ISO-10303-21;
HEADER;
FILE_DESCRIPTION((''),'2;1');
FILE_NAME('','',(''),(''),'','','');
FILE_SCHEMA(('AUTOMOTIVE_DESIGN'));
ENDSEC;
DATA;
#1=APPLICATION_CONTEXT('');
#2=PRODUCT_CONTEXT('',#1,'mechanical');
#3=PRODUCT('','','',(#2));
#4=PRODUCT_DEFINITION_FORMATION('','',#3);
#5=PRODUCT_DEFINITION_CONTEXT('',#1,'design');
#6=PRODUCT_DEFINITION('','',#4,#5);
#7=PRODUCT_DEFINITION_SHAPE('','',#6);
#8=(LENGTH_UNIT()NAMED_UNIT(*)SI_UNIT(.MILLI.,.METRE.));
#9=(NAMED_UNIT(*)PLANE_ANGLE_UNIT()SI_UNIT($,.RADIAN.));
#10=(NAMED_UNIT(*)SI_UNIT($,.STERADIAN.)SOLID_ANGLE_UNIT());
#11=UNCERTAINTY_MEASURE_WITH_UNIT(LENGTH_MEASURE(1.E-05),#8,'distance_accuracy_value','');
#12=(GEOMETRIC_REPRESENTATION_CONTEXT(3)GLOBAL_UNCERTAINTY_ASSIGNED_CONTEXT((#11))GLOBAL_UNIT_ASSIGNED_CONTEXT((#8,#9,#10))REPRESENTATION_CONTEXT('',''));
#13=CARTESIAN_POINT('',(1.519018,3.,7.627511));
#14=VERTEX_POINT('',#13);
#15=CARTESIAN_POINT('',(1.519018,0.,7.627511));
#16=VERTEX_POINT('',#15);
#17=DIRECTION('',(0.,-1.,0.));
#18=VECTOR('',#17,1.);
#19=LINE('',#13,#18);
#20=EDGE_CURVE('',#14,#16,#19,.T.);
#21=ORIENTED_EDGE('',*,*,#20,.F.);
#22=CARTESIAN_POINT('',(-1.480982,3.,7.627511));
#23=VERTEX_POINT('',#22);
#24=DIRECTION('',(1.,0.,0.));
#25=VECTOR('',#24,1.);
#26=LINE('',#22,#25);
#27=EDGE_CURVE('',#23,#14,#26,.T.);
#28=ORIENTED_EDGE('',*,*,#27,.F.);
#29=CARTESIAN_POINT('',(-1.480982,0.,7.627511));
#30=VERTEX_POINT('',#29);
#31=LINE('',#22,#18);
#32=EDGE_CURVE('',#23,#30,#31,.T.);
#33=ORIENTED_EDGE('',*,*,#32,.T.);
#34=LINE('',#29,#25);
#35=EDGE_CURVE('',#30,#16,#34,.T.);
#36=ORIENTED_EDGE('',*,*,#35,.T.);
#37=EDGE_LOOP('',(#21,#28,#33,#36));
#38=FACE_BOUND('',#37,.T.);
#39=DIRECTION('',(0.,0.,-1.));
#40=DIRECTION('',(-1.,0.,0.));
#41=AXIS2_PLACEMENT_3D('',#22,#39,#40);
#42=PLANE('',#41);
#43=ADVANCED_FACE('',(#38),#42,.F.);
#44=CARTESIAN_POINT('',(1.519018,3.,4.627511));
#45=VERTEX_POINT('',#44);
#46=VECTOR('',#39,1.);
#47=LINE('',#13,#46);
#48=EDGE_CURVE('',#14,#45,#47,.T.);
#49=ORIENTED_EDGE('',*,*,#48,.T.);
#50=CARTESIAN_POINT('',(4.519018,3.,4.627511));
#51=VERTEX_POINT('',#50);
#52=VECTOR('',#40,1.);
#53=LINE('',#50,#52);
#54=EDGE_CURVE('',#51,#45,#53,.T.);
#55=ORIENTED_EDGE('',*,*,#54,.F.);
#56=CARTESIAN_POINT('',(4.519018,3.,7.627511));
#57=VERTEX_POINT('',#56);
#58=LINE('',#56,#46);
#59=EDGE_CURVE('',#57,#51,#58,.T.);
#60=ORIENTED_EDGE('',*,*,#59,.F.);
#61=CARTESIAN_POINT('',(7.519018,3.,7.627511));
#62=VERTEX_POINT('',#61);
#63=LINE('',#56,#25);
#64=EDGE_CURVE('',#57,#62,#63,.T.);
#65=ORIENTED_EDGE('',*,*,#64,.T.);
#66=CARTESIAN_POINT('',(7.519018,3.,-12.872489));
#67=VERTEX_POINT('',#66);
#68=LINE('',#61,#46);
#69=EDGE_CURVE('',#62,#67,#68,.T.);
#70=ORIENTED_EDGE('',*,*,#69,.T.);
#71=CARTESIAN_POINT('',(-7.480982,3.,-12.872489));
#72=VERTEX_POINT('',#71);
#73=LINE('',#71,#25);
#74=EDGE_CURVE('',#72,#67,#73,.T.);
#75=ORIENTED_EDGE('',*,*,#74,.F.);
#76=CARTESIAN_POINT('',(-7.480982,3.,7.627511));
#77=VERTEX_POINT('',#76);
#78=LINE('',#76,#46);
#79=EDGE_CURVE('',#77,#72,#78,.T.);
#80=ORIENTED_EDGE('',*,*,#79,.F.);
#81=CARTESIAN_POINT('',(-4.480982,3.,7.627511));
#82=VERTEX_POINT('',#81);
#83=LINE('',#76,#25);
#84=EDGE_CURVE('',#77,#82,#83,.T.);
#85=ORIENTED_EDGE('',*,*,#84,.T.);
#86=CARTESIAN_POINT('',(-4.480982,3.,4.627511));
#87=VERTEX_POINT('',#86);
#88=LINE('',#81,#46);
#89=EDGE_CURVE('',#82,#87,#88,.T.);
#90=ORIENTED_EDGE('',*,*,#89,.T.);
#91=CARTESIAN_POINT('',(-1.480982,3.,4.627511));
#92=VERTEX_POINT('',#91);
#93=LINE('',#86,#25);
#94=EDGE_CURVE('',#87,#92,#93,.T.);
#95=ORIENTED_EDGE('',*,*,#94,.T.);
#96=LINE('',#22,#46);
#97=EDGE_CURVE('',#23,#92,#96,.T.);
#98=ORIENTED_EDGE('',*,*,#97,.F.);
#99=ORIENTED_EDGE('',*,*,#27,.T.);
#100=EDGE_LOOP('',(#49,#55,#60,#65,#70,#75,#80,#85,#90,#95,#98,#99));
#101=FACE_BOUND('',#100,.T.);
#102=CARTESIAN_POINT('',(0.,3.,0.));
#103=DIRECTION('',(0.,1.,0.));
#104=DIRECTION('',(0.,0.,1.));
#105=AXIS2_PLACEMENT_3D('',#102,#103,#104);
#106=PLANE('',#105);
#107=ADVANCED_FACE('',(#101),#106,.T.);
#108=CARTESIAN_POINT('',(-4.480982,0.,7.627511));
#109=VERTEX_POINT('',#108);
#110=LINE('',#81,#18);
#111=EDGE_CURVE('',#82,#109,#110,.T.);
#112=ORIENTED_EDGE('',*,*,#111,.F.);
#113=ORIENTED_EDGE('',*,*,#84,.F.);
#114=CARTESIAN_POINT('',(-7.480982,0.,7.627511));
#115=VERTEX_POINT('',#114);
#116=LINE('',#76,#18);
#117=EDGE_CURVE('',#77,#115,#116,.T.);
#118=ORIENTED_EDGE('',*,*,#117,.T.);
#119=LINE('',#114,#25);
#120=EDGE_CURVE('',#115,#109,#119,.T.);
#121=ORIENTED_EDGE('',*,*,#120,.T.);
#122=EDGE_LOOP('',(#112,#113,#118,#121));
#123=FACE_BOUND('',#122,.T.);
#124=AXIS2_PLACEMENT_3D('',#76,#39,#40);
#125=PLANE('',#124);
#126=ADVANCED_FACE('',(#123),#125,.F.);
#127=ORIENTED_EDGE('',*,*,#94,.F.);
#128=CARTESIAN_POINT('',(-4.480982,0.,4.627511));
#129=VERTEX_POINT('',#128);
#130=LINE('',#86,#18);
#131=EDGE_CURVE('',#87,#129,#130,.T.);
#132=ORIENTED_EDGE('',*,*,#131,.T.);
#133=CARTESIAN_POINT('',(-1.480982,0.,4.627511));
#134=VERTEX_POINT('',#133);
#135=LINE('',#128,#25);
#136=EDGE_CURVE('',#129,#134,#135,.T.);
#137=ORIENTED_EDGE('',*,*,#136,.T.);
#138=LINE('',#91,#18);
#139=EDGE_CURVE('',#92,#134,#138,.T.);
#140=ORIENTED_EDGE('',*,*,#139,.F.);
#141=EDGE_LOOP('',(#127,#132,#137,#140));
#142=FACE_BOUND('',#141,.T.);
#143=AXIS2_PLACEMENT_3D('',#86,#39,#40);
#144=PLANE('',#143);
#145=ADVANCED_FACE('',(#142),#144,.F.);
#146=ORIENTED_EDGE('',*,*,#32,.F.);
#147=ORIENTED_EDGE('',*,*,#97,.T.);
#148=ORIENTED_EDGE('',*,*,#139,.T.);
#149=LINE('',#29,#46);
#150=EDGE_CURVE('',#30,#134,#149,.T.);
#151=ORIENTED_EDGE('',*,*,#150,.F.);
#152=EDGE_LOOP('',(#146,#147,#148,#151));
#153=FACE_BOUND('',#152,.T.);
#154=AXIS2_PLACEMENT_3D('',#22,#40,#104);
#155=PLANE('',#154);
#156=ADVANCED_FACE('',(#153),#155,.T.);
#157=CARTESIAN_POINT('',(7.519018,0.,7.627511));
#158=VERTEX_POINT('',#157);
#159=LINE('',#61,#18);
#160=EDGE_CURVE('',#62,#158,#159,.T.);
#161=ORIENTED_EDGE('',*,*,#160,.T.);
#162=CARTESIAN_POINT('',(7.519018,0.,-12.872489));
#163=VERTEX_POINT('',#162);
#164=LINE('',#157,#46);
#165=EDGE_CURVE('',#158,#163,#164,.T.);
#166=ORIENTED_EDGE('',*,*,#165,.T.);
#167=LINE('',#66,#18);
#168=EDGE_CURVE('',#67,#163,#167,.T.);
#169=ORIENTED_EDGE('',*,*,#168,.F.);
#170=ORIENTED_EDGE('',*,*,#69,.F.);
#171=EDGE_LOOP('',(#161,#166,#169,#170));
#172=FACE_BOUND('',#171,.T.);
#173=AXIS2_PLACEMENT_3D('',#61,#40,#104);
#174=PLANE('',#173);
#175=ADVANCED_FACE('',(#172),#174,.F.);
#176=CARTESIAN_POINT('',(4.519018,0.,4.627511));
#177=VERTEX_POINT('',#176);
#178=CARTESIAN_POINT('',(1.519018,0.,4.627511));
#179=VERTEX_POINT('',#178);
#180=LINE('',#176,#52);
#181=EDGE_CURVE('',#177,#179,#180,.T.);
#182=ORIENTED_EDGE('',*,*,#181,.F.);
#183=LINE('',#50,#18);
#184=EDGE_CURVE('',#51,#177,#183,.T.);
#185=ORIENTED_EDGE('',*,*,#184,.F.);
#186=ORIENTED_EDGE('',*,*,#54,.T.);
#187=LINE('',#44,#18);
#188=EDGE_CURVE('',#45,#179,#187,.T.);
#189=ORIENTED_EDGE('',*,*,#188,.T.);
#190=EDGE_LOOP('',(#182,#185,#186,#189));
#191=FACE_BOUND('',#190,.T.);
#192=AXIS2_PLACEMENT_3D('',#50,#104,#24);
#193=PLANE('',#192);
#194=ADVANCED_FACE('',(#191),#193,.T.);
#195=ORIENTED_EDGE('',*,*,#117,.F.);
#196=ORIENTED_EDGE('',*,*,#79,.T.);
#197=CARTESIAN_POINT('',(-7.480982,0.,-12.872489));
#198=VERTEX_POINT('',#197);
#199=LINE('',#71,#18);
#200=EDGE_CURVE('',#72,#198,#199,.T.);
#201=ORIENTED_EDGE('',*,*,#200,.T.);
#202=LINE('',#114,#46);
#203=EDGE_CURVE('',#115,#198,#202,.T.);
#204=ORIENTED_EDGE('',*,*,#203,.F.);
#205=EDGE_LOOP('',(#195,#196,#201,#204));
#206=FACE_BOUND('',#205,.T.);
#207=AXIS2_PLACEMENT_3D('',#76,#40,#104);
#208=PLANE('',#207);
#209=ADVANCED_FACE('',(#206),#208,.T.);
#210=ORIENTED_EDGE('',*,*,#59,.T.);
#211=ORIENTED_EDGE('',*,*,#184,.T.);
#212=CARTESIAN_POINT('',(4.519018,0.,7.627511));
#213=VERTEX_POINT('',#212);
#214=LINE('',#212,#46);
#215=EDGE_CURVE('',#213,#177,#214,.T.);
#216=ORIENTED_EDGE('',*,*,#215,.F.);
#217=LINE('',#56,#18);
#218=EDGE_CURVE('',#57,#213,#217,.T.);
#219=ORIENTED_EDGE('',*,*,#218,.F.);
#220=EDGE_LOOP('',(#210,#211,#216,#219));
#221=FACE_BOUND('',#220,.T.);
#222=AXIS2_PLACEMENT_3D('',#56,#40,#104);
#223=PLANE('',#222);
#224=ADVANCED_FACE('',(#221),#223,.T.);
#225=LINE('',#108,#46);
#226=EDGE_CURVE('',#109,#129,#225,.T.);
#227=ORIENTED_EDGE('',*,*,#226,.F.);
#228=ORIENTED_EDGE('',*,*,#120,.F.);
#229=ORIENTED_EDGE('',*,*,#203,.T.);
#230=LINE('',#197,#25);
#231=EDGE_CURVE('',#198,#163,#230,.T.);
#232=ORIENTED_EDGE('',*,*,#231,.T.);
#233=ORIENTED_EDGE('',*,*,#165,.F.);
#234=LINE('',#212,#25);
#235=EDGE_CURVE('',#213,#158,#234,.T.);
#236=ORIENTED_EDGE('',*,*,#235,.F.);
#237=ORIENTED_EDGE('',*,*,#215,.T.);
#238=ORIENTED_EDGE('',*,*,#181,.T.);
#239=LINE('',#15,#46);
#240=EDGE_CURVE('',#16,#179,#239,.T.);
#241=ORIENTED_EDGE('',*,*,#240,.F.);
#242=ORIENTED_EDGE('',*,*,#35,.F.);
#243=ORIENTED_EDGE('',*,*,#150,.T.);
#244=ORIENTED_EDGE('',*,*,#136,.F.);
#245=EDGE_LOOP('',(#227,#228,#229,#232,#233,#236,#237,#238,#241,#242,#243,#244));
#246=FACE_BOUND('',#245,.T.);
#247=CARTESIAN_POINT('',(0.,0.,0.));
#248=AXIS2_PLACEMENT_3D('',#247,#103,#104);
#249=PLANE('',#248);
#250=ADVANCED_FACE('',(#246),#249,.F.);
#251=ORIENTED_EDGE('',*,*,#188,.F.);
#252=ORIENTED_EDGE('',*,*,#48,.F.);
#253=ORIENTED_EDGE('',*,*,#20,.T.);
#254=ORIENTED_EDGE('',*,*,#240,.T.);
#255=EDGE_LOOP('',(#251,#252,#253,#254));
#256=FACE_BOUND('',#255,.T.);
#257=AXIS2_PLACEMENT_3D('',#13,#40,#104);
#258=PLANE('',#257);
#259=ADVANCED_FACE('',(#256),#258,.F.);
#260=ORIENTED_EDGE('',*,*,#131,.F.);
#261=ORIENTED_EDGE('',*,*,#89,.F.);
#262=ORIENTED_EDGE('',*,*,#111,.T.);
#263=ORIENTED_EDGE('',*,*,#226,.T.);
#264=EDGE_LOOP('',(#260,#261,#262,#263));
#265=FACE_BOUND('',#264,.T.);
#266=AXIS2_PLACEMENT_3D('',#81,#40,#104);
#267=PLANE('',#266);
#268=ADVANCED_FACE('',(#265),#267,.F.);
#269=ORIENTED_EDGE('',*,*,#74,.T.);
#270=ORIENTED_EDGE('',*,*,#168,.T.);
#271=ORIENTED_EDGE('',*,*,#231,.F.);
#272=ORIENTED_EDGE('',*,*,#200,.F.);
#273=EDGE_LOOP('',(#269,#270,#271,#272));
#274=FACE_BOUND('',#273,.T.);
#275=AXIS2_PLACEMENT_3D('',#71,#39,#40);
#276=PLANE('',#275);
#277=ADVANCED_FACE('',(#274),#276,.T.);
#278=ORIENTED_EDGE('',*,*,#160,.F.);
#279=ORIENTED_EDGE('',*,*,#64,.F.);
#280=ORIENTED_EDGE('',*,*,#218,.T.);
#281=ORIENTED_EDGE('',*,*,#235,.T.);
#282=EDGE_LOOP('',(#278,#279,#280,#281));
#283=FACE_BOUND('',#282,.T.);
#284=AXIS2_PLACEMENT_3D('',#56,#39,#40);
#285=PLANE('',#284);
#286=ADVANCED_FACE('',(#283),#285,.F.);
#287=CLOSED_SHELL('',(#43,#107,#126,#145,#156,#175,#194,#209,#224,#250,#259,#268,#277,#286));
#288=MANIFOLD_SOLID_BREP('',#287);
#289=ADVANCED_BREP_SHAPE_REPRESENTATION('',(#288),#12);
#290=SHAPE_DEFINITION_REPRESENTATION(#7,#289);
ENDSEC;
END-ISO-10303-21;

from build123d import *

# Parameters (mm, degrees)
BOSS_EXTRUDE1_DEPTH = 3


with BuildPart() as part:
    # Sketch1 → Boss-Extrude1 (new body)
    with BuildSketch(Plane(origin=(0, 0, 0), x_dir=(1, 0, 0), z_dir=(0, 1, 0))):
        Polygon((-7.480982321, -7.627510626), (-4.480982321, -7.627510626), (-4.480982321, -4.627510626), (-1.480982321, -4.627510626), (-1.480982321, -7.627510626), (1.519017679, -7.627510626), (1.519017679, -4.627510626), (4.519017679, -4.627510626), (4.519017679, -7.627510626), (7.519017679, -7.627510626), (7.519017679, 12.872489374), (-7.480982321, 12.872489374), align=None)
    extrude(amount=BOSS_EXTRUDE1_DEPTH)


solid = part.part
